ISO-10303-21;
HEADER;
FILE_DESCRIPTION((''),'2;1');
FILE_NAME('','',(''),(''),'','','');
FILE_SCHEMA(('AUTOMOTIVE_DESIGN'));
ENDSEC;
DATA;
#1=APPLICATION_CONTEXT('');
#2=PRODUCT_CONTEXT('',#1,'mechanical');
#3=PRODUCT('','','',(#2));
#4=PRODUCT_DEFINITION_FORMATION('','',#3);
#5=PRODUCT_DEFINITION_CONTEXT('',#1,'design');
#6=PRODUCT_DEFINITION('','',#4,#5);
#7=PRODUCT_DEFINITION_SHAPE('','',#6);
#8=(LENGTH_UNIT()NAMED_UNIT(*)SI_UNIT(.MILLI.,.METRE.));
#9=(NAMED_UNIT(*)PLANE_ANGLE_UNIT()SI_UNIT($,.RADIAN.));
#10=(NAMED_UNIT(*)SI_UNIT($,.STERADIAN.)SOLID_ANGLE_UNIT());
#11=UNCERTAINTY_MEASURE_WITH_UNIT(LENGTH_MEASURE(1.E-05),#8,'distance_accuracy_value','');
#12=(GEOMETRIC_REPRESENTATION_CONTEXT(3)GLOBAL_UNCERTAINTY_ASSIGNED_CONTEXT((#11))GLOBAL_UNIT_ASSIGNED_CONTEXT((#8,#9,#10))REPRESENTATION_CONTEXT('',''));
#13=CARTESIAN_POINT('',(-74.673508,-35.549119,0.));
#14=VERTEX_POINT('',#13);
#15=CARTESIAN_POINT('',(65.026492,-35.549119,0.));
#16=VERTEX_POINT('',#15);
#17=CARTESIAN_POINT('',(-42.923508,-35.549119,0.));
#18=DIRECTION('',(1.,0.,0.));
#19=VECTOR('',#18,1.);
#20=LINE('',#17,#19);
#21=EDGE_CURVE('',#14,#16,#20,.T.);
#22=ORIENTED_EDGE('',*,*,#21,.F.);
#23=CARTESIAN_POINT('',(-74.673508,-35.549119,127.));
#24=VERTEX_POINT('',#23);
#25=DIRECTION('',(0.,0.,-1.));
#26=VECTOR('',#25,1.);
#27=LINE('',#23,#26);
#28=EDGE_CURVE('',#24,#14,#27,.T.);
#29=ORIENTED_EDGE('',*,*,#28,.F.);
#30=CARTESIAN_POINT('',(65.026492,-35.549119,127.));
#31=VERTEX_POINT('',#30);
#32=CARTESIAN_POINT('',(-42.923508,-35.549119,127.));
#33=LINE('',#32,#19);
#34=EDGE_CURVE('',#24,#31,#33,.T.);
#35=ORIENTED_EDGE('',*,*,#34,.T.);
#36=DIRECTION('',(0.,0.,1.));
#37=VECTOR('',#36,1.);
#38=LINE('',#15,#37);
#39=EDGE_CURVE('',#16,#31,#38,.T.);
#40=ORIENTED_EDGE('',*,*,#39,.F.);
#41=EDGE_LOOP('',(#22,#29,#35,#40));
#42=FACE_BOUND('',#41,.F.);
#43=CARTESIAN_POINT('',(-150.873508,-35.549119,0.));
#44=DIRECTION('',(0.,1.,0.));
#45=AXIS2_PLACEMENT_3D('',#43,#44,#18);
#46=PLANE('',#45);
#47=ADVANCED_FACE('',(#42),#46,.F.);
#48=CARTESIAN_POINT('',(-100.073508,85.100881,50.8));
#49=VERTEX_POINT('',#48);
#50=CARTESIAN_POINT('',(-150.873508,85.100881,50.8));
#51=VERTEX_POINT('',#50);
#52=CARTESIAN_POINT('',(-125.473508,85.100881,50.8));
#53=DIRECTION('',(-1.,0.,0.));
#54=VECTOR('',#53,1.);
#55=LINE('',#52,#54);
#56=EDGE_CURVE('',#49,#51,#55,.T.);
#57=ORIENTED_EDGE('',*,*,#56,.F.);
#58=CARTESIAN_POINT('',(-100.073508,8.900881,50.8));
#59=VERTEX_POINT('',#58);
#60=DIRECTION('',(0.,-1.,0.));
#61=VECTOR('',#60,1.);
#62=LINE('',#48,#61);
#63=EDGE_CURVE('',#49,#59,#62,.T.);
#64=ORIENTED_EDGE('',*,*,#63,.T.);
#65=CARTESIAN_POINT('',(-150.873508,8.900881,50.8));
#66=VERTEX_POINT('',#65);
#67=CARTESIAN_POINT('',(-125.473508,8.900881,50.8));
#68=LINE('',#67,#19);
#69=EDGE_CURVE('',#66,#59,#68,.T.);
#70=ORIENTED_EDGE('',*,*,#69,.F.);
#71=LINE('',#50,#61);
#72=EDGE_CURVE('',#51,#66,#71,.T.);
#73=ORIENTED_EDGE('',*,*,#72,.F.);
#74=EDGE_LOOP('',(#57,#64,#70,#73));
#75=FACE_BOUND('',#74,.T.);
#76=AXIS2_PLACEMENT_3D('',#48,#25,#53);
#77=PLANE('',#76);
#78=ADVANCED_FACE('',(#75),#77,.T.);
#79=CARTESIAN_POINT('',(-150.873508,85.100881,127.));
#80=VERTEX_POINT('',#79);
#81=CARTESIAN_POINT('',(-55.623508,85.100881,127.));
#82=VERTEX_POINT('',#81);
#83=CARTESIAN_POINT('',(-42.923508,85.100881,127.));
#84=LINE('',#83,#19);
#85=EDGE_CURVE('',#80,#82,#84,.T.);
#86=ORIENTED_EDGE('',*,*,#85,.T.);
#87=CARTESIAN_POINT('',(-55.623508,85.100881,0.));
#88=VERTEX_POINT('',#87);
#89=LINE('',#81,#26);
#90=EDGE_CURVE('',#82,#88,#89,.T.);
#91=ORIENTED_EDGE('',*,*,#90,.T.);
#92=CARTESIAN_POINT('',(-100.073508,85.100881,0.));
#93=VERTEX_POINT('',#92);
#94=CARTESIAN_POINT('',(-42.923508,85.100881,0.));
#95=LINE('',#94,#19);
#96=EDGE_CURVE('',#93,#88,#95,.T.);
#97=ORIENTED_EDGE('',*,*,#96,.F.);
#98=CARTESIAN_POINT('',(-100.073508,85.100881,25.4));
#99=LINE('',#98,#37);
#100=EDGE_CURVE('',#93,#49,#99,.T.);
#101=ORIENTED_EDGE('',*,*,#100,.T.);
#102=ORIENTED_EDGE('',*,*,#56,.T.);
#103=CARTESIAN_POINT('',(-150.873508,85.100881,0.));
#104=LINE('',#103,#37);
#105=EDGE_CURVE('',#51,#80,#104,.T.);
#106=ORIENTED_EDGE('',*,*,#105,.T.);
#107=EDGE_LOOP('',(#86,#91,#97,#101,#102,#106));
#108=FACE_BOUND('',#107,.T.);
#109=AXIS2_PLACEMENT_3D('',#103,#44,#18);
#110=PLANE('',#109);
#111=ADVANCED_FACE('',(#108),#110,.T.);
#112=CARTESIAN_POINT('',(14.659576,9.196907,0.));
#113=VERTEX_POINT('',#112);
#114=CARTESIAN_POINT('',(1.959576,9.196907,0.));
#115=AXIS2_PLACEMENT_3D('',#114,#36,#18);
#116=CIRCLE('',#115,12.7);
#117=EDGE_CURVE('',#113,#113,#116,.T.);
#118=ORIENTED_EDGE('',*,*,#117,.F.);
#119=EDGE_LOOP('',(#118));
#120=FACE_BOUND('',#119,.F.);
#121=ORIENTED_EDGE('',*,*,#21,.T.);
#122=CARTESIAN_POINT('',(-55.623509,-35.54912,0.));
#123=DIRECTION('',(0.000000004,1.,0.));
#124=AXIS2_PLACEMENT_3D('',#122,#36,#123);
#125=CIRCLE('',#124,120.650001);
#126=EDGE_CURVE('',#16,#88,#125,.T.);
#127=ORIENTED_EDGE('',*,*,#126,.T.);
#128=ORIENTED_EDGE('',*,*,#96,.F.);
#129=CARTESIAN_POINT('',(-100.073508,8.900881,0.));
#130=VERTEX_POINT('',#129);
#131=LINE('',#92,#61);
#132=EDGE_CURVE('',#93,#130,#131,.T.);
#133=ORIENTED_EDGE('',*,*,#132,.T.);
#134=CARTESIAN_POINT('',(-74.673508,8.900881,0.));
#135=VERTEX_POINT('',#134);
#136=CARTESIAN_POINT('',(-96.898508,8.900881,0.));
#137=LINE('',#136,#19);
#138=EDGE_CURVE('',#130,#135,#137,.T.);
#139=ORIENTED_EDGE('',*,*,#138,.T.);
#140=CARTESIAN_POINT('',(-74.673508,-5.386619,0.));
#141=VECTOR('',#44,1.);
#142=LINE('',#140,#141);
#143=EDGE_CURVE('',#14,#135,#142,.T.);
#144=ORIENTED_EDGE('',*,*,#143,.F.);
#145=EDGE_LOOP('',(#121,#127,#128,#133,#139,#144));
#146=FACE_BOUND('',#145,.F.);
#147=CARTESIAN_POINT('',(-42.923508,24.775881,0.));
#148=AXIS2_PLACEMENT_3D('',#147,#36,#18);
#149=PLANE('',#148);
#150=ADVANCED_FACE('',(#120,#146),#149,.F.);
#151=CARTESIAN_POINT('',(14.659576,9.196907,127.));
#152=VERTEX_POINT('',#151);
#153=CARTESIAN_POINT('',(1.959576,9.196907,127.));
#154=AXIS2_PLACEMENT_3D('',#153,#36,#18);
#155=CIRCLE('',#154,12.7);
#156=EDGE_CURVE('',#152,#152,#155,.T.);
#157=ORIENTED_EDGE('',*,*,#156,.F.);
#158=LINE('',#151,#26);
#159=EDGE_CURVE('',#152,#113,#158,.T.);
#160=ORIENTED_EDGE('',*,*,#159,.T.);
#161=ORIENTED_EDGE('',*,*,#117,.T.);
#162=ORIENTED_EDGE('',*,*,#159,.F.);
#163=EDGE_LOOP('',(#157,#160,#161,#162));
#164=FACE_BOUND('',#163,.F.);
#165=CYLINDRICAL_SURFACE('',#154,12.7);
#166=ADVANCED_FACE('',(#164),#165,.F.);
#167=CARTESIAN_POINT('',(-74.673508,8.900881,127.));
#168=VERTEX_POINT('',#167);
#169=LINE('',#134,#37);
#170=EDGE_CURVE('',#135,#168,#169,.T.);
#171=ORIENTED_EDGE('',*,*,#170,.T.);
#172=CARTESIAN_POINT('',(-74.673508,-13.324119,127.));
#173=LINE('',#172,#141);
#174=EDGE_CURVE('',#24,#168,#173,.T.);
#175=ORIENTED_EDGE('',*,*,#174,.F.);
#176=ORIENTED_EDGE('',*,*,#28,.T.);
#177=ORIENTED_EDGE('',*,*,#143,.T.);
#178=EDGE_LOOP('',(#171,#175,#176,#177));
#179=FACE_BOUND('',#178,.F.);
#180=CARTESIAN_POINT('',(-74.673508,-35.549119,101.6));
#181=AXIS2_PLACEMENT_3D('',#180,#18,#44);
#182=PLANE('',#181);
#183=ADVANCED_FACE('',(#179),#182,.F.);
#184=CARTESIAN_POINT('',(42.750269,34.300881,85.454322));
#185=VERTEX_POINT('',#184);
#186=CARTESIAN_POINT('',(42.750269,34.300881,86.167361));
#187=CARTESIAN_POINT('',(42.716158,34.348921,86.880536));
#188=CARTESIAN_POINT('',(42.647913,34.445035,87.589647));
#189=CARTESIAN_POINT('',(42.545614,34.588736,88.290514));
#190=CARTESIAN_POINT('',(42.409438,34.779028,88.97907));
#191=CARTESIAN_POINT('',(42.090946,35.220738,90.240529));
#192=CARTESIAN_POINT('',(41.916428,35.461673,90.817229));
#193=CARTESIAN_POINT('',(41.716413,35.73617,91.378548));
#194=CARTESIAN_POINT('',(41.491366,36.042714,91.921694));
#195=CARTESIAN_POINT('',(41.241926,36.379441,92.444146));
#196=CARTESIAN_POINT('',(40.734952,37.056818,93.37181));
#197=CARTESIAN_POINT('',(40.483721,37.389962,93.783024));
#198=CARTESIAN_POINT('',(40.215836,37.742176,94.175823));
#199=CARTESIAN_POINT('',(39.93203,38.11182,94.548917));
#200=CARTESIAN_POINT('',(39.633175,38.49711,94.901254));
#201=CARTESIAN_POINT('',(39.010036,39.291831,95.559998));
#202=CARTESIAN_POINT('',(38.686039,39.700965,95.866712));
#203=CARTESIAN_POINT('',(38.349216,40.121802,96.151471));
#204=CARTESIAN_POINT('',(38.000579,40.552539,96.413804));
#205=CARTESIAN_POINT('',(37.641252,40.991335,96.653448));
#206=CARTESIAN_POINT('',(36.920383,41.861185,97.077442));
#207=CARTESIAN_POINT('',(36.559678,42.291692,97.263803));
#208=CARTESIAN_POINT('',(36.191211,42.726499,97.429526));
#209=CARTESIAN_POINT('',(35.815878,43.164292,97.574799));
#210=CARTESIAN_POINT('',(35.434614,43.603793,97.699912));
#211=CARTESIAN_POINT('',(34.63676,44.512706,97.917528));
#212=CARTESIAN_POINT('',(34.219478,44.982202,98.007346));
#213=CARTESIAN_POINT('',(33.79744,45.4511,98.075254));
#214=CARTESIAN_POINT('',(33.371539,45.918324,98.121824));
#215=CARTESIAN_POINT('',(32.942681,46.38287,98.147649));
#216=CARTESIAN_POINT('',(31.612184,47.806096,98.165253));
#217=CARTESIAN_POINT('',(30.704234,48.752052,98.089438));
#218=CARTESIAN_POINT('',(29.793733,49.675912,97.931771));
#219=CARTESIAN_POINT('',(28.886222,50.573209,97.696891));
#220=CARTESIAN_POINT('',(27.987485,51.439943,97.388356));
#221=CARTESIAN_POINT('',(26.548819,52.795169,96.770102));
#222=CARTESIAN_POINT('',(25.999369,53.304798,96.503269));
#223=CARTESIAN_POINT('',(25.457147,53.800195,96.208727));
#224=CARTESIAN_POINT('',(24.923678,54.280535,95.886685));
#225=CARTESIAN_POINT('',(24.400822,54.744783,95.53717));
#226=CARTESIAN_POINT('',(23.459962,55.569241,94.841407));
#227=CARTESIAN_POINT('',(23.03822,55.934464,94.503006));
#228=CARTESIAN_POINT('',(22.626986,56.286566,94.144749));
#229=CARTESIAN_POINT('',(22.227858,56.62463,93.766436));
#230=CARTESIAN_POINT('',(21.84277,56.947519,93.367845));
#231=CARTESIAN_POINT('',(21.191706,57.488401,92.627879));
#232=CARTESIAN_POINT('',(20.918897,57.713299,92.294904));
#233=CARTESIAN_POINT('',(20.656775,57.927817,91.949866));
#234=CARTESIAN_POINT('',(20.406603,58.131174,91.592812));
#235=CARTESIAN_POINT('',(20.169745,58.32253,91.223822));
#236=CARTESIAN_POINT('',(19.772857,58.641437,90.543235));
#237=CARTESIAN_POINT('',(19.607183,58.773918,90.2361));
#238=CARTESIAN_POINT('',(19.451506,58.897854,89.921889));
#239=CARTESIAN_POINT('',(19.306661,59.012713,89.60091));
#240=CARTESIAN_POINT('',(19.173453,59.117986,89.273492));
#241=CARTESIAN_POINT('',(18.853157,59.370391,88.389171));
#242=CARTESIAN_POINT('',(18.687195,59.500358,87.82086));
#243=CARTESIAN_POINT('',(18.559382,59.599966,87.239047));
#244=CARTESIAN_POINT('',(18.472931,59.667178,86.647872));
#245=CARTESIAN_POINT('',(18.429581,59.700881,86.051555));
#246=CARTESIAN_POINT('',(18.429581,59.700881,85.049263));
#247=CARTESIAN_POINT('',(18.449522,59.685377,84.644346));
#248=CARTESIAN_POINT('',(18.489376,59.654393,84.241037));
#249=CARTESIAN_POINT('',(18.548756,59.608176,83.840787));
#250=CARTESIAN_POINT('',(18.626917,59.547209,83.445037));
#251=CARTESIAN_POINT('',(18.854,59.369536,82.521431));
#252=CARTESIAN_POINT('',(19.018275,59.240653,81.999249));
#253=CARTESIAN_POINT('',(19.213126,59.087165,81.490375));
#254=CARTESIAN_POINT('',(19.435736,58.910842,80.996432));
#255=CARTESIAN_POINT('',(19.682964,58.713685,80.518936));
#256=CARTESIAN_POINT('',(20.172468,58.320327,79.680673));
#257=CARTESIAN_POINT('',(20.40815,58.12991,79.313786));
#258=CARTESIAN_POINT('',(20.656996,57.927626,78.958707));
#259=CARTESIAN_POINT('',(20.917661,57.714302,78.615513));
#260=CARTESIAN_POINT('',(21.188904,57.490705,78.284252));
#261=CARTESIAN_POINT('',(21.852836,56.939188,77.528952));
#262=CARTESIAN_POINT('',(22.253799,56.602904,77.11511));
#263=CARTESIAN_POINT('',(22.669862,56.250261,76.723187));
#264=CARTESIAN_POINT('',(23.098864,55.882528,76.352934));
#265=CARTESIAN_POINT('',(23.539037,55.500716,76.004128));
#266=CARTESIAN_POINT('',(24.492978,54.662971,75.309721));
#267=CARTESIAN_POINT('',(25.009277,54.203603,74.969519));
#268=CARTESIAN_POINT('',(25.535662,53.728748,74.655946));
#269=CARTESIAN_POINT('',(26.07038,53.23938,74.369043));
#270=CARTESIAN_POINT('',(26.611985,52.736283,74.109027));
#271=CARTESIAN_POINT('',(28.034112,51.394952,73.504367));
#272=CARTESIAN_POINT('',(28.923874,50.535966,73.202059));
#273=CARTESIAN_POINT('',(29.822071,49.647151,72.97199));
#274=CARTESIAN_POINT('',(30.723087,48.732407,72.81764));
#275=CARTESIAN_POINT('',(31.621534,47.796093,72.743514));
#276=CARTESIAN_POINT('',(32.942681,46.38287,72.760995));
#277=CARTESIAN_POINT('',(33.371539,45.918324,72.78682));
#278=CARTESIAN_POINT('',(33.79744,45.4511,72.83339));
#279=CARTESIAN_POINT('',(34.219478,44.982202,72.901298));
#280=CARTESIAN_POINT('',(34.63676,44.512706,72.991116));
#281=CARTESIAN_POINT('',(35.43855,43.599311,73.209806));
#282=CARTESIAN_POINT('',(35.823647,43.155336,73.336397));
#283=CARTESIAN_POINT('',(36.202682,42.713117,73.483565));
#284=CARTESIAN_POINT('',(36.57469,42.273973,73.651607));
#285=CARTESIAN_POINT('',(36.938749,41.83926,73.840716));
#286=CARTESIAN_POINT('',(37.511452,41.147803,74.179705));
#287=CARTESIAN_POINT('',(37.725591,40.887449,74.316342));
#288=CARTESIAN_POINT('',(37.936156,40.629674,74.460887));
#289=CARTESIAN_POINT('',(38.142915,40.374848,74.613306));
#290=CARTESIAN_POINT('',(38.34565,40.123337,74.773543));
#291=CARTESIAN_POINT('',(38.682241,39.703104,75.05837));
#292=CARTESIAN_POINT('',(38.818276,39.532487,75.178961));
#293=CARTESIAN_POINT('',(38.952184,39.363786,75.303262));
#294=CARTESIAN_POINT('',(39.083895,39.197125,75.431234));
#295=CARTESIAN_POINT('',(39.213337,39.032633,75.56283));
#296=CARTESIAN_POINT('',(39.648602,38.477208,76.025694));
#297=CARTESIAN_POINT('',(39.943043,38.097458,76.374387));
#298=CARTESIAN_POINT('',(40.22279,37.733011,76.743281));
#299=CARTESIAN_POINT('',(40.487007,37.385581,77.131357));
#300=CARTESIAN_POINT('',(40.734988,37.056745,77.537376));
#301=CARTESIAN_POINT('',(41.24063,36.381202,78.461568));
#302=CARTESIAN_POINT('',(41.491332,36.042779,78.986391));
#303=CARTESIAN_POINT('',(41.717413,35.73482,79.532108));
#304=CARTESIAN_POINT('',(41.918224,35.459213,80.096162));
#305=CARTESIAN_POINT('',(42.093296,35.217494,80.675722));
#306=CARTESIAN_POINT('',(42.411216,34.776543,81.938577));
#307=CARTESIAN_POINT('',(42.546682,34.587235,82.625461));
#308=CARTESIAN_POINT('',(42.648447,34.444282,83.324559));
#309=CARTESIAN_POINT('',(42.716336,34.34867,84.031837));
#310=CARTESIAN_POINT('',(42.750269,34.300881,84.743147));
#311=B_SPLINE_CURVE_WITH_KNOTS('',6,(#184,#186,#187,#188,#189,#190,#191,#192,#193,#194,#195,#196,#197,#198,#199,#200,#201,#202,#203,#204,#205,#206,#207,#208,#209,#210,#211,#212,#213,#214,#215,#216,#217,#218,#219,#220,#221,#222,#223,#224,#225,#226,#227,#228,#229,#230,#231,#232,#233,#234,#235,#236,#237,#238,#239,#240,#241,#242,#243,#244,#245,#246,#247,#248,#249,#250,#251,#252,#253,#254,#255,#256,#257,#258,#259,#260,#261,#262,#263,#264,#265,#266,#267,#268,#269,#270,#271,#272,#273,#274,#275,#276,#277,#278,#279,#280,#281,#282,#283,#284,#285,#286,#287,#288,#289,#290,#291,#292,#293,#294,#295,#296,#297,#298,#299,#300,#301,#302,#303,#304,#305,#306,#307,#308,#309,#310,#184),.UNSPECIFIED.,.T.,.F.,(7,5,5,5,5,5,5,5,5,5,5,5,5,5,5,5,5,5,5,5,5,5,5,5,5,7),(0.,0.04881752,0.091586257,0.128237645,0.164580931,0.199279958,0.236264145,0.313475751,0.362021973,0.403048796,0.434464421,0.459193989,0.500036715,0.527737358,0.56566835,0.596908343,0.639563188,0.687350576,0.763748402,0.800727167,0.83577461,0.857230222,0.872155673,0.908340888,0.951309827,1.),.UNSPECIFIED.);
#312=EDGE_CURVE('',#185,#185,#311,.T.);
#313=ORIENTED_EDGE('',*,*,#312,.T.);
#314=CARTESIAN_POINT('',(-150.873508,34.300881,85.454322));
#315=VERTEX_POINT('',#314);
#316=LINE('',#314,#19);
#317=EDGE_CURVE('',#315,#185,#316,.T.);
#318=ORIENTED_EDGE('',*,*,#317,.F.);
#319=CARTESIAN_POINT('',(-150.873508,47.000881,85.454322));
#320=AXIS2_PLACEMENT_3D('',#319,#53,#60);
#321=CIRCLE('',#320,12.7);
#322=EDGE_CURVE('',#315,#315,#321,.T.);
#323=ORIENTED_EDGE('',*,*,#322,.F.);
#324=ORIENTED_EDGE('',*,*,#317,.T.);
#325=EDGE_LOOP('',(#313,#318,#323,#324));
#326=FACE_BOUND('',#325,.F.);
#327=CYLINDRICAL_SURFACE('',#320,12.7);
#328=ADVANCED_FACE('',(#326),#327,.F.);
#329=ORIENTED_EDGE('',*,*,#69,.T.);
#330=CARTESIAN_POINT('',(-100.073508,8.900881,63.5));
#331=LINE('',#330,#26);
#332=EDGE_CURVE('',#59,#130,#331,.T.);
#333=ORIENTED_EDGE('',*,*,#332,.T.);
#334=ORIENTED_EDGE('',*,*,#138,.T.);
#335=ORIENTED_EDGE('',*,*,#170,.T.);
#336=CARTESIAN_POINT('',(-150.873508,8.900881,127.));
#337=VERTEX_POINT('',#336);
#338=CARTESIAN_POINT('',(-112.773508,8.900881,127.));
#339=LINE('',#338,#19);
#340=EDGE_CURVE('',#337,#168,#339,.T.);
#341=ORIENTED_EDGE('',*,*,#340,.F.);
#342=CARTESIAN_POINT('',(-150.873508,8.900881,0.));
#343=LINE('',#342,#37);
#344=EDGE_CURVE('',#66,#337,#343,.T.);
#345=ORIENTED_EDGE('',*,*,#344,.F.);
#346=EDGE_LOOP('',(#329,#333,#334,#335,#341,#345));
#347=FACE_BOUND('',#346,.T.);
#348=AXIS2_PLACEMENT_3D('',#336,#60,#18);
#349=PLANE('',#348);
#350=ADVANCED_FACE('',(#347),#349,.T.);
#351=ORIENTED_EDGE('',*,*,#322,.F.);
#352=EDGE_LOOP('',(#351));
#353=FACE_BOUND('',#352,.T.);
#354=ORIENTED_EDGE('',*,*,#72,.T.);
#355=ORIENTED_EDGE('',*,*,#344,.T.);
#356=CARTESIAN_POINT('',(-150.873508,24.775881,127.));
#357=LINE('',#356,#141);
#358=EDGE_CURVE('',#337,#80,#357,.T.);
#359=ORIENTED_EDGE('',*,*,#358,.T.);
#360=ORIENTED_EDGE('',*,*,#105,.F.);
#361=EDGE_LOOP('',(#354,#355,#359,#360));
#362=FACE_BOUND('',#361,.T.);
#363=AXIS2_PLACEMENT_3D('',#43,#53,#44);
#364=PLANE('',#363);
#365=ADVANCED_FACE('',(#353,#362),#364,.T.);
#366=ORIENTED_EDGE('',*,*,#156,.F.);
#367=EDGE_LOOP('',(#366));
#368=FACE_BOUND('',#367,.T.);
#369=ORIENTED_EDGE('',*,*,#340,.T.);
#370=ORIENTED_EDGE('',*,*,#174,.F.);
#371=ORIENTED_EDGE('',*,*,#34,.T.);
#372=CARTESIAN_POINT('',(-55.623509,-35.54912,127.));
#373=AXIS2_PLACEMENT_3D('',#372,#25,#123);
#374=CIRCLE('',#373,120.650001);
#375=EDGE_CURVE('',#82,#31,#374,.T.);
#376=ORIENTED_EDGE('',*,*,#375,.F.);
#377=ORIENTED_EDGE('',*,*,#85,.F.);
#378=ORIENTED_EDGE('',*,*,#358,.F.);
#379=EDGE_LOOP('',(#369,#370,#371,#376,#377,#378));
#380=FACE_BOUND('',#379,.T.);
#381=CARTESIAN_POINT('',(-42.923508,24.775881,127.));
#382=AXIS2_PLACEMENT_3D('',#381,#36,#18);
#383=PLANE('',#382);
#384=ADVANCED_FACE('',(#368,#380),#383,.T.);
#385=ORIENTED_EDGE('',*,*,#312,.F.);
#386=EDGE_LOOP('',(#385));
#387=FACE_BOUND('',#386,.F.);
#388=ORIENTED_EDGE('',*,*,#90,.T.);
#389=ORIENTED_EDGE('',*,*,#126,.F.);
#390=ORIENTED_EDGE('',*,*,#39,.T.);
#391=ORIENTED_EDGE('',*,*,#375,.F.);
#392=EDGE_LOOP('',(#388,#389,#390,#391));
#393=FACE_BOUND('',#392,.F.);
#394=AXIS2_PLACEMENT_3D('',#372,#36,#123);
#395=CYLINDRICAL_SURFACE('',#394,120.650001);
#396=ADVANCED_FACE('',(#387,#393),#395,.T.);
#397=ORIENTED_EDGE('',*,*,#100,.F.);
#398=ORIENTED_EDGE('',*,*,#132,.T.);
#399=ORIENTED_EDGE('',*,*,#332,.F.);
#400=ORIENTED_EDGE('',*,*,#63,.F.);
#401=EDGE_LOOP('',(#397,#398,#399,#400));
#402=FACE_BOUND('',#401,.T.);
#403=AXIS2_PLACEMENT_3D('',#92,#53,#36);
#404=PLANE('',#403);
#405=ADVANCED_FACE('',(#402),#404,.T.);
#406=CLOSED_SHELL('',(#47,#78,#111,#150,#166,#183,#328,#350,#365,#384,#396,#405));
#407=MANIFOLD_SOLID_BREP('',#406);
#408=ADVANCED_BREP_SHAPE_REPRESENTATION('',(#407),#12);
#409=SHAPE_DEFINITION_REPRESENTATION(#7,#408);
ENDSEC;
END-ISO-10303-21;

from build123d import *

# Parameters (mm, degrees)
F0_W      = 215.9
F0_H      = 120.65
F1_DEPTH  = 127
F2_W      = 76.2
F2_H      = 44.45
F3_DEPTH  = 25.4
F3_FACE_W = 76.2
F3_FACE_H = 44.45
F4_DEPTH  = 101.601
F6_DEPTH  = 127.001
F7_W      = 50.8
F7_H      = 50.8
F8_DEPTH  = 120.651
F9_R      = 12.7
F10_DEPTH = 215.901
F12_R     = 12.7
F13_DEPTH = 127.001


with BuildPart() as f1:
    # F0 (on Top) → F1 (new body)
    with BuildSketch(Plane.XY):
        with Locations((-42.923508, 24.775881)):
            Rectangle(F0_W, F0_H)
    extrude(amount=F1_DEPTH)

    # F2 (on face) → F3 (cut)
    with BuildSketch(Plane.XY.offset(127)):
        with Locations((-112.773508, -13.324119)):
            Rectangle(F2_W, F2_H)
    extrude(amount=-F3_DEPTH, mode=Mode.SUBTRACT)

    # F3_face (on face) → F4 (cut, through all)
    with BuildSketch(Plane(origin=(-112.773508, -13.324119, 101.6), x_dir=(1, 0, 0), z_dir=(0, 0, 1))):
        Rectangle(F3_FACE_W, F3_FACE_H)
    extrude(amount=-F4_DEPTH, mode=Mode.SUBTRACT)

    # F5 (on face) → F6 (cut, through all)
    with BuildSketch(Plane.XY.offset(127)):
        with BuildLine():
            ThreePointArc((-55.623508, 85.100881), (29.688925, 49.763314), (65.026492, -35.549119))
            Line((65.026492, -35.549119), (65.026492, 85.100881))
            Line((65.026492, 85.100881), (-55.623508, 85.100881))
        make_face()
    extrude(amount=-F6_DEPTH, mode=Mode.SUBTRACT)

    # F7 (on face) → F8 (cut, through all)
    with BuildSketch(Plane(origin=(0, 85.100881, 0), x_dir=(-1, 0, 0), z_dir=(0, 1, 0))):
        with Locations((125.473508, 25.4)):
            Rectangle(F7_W, F7_H)
    extrude(amount=-F8_DEPTH, mode=Mode.SUBTRACT)

    # F9 (on face) → F10 (cut, through all)
    with BuildSketch(Plane(origin=(-150.873508, 0, 0), x_dir=(0, -1, 0), z_dir=(-1, 0, 0))):
        with Locations((-47.000881, 85.454322)):
            Circle(F9_R)
    extrude(amount=-F10_DEPTH, mode=Mode.SUBTRACT)

    # F12 (on face) → F13 (cut, through all)
    with BuildSketch(Plane.XY.offset(127)):
        with Locations((1.959576, 9.196907)):
            Circle(F12_R)
    extrude(amount=-F13_DEPTH, mode=Mode.SUBTRACT)


solid = f1.part
